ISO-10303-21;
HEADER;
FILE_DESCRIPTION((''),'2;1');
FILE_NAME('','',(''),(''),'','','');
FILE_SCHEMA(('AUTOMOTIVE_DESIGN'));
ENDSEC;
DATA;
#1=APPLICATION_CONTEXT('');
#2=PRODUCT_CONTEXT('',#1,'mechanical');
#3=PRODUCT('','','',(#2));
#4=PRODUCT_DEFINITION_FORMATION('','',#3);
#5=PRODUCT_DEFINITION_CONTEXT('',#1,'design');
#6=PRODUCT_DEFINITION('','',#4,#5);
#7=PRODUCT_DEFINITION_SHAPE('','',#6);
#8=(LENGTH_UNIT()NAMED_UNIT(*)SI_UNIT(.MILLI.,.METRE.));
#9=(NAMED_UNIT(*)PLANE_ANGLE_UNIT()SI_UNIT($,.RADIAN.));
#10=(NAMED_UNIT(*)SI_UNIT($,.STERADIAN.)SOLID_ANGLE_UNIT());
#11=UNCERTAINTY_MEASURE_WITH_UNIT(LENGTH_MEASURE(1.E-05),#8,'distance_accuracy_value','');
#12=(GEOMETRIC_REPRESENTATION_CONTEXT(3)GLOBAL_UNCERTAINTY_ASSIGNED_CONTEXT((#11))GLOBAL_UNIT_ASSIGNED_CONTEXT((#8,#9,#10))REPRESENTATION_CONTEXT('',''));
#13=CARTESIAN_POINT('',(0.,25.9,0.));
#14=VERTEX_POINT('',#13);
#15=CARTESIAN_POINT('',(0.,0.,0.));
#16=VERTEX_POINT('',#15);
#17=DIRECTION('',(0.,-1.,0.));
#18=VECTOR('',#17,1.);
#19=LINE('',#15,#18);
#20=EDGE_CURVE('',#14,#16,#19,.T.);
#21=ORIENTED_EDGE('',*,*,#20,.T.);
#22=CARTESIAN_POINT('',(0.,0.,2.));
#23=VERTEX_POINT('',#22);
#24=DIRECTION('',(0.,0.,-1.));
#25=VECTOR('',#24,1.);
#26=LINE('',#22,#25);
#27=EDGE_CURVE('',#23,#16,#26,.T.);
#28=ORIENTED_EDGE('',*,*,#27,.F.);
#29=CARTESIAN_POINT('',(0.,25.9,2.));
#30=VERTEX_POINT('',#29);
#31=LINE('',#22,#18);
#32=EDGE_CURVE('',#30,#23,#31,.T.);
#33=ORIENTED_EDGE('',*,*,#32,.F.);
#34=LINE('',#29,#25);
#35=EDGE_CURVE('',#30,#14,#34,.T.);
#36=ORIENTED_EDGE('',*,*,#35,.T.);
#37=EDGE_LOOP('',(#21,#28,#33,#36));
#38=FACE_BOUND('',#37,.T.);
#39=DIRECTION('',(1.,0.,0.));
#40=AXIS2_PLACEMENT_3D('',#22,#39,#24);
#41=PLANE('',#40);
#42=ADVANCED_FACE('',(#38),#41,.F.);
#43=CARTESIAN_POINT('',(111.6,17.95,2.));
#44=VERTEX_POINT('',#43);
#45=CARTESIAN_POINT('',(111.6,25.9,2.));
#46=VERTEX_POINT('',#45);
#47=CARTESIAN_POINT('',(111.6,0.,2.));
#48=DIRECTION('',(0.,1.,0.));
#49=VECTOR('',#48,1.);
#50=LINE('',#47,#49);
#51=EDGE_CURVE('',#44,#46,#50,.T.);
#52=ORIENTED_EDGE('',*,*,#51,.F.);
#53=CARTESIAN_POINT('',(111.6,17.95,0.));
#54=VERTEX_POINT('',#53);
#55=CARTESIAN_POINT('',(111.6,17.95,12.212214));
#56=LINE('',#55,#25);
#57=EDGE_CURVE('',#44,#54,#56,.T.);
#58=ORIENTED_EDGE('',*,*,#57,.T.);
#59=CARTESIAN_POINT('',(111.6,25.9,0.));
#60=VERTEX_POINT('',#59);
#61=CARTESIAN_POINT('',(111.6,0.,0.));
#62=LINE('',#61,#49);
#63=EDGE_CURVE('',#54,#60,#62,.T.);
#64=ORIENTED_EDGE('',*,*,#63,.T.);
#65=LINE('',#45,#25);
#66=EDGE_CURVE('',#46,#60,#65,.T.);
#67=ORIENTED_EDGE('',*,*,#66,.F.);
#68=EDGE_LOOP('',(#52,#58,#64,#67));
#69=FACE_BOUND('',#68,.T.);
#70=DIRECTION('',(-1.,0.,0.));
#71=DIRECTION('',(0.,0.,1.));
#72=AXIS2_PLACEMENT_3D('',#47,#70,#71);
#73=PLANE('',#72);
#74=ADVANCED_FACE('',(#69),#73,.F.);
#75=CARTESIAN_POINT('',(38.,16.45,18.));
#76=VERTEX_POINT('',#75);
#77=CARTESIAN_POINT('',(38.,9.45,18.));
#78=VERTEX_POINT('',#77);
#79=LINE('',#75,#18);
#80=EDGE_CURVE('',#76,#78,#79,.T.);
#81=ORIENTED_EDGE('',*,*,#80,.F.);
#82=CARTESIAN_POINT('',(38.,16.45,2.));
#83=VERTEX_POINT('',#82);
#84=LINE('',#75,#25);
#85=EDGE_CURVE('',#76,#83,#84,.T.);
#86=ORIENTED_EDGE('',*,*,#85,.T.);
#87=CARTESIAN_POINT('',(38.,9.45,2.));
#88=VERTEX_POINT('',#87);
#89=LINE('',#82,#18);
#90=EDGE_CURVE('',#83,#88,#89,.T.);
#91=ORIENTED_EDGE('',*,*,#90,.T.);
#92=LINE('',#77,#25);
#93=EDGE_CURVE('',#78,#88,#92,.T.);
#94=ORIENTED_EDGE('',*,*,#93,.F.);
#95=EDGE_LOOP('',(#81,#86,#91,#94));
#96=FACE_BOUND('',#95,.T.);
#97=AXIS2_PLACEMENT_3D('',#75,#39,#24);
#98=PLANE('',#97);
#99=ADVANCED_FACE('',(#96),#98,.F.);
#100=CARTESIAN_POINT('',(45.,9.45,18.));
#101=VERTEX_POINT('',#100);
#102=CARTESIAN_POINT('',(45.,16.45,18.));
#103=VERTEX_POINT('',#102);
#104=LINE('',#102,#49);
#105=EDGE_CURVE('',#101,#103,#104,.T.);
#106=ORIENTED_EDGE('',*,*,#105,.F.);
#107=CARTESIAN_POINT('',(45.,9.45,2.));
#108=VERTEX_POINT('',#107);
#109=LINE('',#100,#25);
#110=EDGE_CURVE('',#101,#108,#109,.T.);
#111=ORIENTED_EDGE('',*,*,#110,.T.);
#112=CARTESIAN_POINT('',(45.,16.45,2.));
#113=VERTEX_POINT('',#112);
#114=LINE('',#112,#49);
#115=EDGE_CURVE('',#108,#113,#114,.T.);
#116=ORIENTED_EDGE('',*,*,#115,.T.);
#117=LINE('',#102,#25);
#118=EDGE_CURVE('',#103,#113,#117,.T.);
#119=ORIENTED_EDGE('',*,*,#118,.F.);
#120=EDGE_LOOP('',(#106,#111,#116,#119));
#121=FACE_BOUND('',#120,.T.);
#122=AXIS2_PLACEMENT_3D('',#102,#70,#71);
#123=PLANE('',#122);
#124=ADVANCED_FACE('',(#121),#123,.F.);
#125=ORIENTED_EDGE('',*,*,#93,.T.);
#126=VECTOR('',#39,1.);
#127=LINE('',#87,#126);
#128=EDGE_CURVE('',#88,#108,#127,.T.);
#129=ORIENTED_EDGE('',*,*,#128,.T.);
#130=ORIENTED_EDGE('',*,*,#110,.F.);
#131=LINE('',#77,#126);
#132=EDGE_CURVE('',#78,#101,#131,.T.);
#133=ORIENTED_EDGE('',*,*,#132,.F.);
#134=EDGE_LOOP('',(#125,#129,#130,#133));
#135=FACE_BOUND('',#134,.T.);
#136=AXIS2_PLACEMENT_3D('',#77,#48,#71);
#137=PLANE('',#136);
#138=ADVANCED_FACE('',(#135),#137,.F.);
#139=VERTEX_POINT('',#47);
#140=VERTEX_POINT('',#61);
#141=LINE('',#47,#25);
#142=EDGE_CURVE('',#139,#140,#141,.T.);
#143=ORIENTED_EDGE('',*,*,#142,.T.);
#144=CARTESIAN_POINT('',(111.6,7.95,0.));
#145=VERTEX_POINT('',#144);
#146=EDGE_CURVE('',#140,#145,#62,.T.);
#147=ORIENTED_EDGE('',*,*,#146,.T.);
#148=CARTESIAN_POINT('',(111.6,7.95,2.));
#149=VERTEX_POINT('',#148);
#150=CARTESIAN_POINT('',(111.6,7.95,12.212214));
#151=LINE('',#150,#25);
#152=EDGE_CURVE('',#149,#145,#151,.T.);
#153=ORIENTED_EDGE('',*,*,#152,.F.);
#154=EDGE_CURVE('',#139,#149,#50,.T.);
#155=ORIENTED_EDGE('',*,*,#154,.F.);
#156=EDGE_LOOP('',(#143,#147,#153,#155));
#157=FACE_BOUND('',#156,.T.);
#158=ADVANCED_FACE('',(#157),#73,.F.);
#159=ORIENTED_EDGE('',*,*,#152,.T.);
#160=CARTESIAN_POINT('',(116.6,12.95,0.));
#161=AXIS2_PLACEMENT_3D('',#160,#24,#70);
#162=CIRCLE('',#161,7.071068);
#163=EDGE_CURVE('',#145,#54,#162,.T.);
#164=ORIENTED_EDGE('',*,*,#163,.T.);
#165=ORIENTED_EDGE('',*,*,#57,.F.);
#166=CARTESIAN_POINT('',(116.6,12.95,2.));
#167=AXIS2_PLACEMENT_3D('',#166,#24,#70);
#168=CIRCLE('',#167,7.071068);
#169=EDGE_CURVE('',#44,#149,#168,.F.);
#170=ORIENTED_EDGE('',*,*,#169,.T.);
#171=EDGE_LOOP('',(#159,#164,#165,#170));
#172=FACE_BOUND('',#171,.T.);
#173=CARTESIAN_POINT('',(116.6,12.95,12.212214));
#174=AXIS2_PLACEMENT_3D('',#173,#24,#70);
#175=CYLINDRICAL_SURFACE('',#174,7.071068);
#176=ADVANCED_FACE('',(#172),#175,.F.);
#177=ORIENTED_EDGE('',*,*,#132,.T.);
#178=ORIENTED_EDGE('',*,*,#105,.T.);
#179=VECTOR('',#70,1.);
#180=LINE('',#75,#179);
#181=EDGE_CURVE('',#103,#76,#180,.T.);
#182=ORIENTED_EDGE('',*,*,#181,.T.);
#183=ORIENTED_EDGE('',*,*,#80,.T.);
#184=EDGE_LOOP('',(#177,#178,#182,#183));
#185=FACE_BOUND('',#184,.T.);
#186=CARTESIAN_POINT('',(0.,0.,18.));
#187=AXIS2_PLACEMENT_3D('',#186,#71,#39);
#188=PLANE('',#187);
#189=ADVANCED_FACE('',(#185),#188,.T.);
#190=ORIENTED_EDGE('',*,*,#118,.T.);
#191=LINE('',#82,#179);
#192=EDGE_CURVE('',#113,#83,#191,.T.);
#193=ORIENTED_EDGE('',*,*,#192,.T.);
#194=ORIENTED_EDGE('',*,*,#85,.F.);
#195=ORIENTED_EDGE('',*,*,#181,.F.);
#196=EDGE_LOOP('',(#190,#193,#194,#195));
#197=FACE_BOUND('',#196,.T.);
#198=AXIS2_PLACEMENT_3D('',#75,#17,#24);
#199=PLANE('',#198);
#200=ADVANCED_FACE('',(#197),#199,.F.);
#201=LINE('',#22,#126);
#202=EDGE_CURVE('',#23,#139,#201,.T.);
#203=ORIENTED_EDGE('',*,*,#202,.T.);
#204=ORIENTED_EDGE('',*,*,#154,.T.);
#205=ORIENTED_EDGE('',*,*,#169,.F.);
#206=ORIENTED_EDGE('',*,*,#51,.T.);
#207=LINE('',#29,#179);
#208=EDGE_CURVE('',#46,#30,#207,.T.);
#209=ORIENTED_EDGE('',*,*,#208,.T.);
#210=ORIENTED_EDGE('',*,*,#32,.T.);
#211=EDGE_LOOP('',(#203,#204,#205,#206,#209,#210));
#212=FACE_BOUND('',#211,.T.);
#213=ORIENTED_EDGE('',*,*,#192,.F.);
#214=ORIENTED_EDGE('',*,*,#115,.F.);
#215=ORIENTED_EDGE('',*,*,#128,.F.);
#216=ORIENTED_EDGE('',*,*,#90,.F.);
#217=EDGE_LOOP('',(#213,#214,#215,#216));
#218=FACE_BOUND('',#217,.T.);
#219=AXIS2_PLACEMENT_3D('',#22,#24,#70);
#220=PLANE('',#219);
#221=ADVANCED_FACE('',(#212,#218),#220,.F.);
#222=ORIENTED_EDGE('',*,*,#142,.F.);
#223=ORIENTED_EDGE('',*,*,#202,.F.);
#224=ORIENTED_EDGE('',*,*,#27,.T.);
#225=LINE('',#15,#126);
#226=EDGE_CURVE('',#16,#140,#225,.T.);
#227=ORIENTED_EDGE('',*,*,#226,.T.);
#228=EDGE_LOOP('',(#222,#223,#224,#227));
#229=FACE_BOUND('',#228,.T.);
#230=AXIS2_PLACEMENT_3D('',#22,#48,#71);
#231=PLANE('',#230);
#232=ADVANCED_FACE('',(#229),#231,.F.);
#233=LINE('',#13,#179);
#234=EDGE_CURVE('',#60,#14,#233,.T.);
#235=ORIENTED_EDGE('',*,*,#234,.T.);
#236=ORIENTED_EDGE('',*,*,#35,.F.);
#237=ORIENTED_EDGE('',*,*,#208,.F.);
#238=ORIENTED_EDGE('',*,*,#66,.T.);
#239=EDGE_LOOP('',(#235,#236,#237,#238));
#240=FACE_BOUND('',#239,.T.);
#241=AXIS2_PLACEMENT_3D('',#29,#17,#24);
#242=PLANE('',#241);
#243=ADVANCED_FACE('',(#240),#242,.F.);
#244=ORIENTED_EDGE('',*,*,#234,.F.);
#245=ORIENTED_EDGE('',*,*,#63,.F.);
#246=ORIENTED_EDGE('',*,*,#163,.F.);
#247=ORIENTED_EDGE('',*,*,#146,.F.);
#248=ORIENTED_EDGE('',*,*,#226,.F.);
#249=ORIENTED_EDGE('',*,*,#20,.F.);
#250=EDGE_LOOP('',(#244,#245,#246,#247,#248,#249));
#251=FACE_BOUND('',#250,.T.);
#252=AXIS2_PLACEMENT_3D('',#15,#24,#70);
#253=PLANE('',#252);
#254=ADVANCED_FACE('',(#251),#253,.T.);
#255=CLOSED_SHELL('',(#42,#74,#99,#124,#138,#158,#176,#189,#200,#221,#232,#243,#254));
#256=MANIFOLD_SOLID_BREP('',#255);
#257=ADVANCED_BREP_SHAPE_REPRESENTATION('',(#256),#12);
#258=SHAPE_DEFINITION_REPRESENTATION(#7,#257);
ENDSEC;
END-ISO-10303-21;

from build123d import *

# Parameters (mm, degrees)
ESQUISSE1_W             = 111.6
ESQUISSE1_H             = 25.9
BOSS_EXTRU_1_DEPTH      = 2
ESQUISSE2_W             = 7
ESQUISSE2_H             = 7
BOSS_EXTRU_2_DEPTH      = 16
ENL_V_MAT_EXTRU_1_DEPTH = 2


with BuildPart() as part:
    # Esquisse1 → Boss.-Extru.1 (new body)
    with BuildSketch(Plane.XY):
        with Locations((55.8, 12.95)):
            Rectangle(ESQUISSE1_W, ESQUISSE1_H)
    extrude(amount=BOSS_EXTRU_1_DEPTH)

    # Esquisse2 → Boss.-Extru.2 (add)
    with BuildSketch(Plane.XY.offset(2)):
        with Locations((41.5, 12.95)):
            Rectangle(ESQUISSE2_W, ESQUISSE2_H)
    extrude(amount=BOSS_EXTRU_2_DEPTH)

    # Esquisse3 → Enlèv. mat.-Extru.1 (cut)
    with BuildSketch(Plane(origin=(0, 0, 0), x_dir=(-1, 0, 0), z_dir=(0, 0, -1))):
        with BuildLine():
            Line((-111.6, 7.95), (-111.6, 17.95))
            ThreePointArc((-111.6, 17.95), (-109.528932188, 12.95), (-111.6, 7.95))
        make_face()
    extrude(amount=-ENL_V_MAT_EXTRU_1_DEPTH, mode=Mode.SUBTRACT)


solid = part.part
